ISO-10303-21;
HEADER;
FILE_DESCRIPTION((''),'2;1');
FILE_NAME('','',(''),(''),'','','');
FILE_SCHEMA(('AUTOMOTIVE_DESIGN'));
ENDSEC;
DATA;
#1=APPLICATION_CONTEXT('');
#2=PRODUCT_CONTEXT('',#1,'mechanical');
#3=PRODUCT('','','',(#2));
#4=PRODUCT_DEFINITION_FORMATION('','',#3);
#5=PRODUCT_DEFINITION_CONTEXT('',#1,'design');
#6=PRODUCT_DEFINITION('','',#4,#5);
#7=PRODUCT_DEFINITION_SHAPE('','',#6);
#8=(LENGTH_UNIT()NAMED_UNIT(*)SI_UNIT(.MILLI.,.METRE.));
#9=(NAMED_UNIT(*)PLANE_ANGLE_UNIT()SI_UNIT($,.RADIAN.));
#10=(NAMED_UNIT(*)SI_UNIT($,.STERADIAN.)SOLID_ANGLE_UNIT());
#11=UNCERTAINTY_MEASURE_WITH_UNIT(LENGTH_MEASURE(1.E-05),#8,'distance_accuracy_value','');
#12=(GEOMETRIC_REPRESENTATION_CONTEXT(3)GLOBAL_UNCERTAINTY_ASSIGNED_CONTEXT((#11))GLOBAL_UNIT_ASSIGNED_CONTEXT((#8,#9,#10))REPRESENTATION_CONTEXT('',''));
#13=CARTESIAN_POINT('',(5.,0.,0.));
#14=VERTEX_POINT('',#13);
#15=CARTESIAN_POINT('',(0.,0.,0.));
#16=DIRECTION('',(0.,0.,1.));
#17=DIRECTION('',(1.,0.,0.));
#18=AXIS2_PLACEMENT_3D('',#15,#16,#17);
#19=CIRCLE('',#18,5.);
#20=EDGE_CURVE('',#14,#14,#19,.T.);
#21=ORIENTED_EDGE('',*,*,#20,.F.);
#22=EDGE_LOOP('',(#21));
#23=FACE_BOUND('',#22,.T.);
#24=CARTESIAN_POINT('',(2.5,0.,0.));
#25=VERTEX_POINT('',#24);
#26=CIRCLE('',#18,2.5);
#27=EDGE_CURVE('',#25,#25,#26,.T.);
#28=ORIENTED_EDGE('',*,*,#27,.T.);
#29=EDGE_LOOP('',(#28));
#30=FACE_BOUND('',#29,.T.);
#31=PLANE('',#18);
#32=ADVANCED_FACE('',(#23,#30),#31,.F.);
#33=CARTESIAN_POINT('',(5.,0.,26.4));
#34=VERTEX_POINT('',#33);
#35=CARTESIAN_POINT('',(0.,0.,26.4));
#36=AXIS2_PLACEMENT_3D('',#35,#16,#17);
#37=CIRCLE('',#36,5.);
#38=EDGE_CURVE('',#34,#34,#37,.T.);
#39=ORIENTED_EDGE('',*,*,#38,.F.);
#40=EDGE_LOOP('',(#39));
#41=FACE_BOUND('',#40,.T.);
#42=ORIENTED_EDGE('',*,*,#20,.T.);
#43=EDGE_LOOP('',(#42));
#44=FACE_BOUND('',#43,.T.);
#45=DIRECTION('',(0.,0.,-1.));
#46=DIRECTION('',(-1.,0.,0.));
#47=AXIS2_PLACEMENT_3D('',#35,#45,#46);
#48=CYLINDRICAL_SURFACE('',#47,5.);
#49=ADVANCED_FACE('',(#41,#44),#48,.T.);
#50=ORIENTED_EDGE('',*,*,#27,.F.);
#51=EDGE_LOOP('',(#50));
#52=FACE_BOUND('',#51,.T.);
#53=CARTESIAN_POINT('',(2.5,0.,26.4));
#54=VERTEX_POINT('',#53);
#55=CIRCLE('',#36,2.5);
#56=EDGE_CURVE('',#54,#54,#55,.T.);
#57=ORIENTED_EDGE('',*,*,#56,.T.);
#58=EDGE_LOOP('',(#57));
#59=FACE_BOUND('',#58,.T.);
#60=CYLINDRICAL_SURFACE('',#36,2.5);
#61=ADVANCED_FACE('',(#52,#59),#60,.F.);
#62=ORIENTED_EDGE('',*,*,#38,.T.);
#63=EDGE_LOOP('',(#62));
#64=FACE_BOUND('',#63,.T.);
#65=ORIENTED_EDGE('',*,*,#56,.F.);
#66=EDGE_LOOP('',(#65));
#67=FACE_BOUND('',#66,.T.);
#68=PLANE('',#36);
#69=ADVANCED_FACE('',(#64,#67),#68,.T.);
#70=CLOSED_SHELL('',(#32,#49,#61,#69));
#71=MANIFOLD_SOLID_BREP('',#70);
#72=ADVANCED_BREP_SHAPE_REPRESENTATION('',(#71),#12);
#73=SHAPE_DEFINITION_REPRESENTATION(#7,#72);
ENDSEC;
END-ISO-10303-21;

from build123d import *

# Parameters (mm, degrees)
SKETCH1_R                 = 5
BOSS_EXTRUDE1_DEPTH       = 26.4
F_5_0MM_DOWEL_HOLE1_D     = 5
F_5_0MM_DOWEL_HOLE1_DEPTH = 26.4


with BuildPart() as part:
    # Sketch1 → Boss-Extrude1 (new body)
    with BuildSketch(Plane.XY):
        Circle(SKETCH1_R)
    extrude(amount=BOSS_EXTRUDE1_DEPTH)

    # Ø5.0mm Dowel Hole1
    with Locations(Plane.XY.offset(26.4)):
        with Locations((0, 0)):
            Hole(F_5_0MM_DOWEL_HOLE1_D / 2, depth=F_5_0MM_DOWEL_HOLE1_DEPTH)


solid = part.part
